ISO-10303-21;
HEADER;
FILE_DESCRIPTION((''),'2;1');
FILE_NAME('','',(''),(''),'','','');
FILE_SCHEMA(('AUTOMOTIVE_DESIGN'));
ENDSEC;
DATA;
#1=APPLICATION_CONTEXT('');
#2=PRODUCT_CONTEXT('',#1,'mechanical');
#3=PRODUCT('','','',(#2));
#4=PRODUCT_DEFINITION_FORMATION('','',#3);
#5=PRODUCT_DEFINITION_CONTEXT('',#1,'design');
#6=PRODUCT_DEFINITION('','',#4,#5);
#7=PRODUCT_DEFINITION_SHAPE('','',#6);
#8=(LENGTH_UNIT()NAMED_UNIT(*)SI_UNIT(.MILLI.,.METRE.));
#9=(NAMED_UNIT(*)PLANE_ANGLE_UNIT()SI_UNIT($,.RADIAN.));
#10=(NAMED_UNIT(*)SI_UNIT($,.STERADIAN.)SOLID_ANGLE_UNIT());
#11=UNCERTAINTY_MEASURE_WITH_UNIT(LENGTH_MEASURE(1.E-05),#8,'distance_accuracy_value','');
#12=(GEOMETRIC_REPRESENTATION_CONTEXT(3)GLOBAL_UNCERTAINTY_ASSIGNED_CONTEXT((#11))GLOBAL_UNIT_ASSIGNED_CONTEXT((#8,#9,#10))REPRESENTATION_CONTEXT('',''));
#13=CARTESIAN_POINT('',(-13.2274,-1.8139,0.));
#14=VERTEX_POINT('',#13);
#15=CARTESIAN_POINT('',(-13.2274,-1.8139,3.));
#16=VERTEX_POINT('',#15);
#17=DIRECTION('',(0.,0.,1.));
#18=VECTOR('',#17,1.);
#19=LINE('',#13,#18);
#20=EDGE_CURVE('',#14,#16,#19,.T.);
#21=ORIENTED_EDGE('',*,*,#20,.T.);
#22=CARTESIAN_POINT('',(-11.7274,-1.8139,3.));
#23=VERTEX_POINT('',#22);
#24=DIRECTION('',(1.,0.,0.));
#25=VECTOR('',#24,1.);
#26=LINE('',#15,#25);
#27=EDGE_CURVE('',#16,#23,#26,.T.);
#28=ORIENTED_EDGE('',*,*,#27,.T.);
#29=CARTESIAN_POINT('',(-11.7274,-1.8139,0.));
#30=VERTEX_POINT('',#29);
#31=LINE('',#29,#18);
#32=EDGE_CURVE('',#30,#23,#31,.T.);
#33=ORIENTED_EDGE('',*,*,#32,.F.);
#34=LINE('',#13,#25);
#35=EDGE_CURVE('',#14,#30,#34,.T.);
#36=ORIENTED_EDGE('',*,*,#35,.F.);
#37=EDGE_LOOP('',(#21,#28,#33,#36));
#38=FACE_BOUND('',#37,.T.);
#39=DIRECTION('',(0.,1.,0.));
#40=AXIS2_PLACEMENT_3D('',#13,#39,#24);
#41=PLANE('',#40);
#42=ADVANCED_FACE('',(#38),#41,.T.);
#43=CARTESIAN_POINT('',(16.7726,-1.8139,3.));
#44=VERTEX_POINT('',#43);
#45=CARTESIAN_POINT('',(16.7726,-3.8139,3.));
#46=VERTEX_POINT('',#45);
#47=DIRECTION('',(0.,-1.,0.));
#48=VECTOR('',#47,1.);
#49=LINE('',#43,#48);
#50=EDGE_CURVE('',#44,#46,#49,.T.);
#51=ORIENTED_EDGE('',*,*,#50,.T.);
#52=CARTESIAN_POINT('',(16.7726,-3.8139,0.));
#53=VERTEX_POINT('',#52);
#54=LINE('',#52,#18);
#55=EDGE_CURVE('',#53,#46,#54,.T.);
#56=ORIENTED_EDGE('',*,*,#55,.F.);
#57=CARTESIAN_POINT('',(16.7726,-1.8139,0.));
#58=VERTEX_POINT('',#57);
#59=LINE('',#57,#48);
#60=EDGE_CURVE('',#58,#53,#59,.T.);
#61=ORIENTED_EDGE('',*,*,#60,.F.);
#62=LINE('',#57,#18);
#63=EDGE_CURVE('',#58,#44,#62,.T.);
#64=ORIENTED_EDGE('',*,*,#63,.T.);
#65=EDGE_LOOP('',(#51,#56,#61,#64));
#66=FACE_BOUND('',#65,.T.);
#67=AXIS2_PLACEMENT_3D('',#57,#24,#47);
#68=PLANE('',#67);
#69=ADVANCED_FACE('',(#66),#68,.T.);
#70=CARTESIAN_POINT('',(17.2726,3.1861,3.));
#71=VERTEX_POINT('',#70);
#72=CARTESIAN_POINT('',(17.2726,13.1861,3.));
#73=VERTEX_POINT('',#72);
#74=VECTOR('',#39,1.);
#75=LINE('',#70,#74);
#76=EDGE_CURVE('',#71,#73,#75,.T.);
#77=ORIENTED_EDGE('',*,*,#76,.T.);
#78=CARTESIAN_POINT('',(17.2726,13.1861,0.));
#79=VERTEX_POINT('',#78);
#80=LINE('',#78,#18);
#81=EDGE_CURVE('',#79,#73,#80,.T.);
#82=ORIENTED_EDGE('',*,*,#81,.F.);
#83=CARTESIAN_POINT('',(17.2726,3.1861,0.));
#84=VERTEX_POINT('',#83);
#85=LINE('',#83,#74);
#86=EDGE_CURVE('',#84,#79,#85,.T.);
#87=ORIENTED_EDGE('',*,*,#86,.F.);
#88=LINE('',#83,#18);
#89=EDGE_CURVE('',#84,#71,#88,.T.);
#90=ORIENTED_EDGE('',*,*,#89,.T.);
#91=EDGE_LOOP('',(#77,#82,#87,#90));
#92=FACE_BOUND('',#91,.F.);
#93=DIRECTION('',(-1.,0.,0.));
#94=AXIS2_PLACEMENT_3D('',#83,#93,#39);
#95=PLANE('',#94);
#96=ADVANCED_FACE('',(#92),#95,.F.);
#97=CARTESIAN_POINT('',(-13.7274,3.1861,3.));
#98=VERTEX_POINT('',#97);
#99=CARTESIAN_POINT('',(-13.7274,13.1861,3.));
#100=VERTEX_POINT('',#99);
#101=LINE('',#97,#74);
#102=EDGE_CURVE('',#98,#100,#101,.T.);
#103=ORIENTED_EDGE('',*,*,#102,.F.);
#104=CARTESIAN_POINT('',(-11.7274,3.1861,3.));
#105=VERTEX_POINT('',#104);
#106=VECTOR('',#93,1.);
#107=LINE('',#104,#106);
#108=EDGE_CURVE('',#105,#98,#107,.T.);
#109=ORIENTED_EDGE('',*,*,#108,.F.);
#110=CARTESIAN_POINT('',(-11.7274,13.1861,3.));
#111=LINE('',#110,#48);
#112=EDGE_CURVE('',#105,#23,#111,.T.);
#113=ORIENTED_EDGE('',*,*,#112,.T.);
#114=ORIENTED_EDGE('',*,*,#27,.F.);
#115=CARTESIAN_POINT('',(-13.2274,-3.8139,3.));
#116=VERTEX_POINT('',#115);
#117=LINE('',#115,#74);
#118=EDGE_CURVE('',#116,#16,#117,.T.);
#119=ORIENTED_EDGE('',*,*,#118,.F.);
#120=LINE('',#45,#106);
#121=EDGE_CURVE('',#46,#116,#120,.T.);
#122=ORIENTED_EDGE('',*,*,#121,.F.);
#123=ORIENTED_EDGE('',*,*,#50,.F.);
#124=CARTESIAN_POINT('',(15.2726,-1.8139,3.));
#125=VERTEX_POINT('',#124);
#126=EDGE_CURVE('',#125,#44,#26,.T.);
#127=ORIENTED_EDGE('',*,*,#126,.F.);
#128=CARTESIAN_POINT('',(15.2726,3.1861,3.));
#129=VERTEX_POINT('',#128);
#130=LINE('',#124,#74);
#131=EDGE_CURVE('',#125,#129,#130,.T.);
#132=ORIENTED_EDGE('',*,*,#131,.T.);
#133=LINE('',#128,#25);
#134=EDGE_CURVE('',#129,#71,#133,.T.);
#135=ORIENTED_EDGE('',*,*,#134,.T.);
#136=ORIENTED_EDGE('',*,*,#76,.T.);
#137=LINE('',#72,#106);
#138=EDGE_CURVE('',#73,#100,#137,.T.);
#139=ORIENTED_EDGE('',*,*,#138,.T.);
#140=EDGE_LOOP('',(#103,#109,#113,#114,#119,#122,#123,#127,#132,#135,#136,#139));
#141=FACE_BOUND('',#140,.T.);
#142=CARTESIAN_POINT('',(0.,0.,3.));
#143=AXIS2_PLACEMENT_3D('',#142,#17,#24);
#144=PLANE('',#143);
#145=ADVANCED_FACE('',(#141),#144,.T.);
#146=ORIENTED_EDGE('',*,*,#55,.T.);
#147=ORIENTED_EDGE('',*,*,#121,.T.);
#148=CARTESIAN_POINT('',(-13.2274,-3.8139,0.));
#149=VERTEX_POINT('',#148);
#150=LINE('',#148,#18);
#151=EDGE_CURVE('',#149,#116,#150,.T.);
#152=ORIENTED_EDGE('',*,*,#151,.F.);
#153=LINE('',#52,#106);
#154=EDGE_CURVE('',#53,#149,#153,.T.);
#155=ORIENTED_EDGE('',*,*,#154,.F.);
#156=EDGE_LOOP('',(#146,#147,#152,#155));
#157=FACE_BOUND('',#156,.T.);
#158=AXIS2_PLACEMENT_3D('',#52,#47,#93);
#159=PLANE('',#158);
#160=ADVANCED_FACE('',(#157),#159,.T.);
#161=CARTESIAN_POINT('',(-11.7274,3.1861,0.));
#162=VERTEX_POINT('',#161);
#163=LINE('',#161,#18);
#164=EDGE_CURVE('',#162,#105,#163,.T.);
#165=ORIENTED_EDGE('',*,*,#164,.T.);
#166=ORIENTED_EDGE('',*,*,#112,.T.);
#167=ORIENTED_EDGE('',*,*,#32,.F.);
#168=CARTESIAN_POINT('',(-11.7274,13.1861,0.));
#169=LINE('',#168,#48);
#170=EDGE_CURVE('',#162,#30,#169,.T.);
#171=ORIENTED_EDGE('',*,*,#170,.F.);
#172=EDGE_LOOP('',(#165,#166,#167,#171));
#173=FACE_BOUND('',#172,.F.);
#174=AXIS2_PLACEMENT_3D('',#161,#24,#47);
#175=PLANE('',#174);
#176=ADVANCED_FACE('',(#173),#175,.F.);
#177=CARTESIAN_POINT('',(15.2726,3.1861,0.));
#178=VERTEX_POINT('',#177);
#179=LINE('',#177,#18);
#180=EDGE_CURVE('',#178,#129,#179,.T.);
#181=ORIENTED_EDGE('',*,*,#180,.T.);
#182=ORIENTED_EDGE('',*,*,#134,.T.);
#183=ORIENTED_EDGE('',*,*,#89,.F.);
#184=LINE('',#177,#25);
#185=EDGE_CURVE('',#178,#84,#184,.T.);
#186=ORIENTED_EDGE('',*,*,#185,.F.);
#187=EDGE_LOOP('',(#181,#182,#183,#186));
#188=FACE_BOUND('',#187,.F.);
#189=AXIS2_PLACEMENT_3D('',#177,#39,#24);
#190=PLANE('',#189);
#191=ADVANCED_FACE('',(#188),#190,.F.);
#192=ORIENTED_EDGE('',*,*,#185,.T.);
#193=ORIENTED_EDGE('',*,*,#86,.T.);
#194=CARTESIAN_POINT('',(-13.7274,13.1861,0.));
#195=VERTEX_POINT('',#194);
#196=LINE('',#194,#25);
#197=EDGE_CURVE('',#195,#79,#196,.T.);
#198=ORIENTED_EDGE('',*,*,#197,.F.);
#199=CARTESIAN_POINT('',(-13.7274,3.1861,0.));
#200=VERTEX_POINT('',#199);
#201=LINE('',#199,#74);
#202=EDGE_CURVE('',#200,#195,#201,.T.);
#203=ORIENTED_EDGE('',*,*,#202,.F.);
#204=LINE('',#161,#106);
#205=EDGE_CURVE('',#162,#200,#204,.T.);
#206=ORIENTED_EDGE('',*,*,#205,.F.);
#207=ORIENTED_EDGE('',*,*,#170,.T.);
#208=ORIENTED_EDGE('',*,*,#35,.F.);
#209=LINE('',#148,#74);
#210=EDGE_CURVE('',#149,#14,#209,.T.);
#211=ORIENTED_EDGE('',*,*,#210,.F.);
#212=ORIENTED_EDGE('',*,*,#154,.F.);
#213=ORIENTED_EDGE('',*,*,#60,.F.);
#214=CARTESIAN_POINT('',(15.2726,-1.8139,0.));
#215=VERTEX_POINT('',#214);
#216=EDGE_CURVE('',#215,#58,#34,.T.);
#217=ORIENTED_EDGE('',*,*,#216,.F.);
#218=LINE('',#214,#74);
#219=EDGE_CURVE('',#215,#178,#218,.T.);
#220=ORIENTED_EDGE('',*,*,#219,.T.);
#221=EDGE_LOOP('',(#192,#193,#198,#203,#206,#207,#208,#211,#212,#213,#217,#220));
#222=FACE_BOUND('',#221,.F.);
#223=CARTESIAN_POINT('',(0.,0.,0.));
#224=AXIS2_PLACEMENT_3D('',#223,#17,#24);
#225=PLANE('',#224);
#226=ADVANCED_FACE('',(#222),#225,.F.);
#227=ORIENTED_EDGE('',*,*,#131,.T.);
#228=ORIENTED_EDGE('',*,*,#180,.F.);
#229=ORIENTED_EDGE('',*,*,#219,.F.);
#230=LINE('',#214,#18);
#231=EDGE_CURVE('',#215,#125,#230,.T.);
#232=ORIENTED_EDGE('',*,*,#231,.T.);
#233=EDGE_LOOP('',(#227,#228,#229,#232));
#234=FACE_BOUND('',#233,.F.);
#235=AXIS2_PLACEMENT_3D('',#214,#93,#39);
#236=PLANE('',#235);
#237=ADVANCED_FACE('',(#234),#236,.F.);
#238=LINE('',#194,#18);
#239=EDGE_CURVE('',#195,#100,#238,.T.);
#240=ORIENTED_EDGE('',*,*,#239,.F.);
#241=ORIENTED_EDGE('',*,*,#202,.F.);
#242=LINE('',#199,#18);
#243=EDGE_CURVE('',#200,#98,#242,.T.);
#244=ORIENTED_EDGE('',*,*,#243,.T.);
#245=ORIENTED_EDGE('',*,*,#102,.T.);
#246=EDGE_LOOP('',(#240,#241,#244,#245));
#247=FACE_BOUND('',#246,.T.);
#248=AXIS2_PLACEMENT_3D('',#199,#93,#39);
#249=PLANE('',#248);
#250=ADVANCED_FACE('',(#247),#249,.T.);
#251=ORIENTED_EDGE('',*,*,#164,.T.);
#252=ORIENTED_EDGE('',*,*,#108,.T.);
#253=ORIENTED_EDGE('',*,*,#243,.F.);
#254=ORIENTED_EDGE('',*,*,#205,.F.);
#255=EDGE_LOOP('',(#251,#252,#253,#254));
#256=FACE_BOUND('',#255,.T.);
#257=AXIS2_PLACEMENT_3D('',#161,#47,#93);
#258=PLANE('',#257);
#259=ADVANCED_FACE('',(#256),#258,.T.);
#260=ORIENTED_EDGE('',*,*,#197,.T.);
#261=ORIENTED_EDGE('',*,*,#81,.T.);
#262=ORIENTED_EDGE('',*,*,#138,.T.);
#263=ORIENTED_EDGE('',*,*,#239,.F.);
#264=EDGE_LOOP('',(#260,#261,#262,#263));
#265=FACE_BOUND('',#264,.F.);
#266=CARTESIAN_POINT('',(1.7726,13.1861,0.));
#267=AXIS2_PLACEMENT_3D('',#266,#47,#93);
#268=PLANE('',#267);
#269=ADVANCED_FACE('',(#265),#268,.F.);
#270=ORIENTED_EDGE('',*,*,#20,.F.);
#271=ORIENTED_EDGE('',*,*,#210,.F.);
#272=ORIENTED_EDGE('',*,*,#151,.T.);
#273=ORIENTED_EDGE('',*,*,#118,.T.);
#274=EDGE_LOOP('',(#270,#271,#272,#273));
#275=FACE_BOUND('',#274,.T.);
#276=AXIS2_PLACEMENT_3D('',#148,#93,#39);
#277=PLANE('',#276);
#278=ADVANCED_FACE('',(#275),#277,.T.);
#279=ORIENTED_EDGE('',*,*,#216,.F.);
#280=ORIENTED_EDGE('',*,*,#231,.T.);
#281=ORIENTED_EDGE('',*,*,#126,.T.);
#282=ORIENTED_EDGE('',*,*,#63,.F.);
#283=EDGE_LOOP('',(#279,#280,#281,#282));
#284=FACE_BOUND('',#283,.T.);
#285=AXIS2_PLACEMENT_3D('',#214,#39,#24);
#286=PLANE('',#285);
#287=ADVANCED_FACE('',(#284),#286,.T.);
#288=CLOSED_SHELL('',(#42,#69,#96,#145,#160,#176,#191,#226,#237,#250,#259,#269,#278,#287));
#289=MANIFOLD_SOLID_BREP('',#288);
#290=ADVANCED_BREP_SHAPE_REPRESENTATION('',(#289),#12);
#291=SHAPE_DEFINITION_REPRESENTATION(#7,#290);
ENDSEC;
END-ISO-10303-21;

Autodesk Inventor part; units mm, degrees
ref_plane "YZ Plane" through (0, 0, 0) normal (1, 0, 0) x (0, 1, 0)
ref_plane "XZ Plane" through (0, 0, 0) normal (0, 1, 0) x (-1, 0, 0)
ref_plane "XY Plane" through (0, 0, 0) normal (0, 0, 1) x (1, 0, 0)
sketch "Sketch1" plane through (0, 0, 0) normal (0, 0, 1) x (1, 0, 0)
  line L0 (-11.7274, -1.8139) -> (15.2726, -1.8139)
  line L1 (15.2726, -1.8139) -> (15.2726, 13.1861)
  line L2 (15.2726, 13.1861) -> (-11.7274, 13.1861)
  line L3 (-11.7274, 13.1861) -> (-11.7274, -1.8139)
  line L4 (-13.2274, -1.8139) -> (16.7726, -1.8139)
  line L5 (16.7726, -1.8139) -> (16.7726, -3.8139)
  line L6 (16.7726, -3.8139) -> (-13.2274, -3.8139)
  line L7 (-13.2274, -3.8139) -> (-13.2274, -1.8139)
  line L8 (-11.7274, 3.1861) -> (-13.7274, 3.1861)
  line L9 (-13.7274, 3.1861) -> (-13.7274, 13.1861)
  line L10 (-13.7274, 13.1861) -> (-11.7274, 13.1861)
  line L11 (-11.7274, 13.1861) -> (-11.7274, 3.1861)
  line L12 (1.7726, 13.1861) -> (1.7726, -1.8139)
  line L13 (17.2726, 13.1861) -> (15.2726, 13.1861)
  line L14 (17.2726, 3.1861) -> (17.2726, 13.1861)
  line L15 (15.2726, 3.1861) -> (17.2726, 3.1861)
  point P0 (0, 0)
  dimension "d0" = 27
  dimension "d1" = 30
  dimension "d2" = 2
  dimension "d3" = 15
  dimension "d4" = 2
  dimension "d5" = 10
  dimension "d6" = 5
extrude "Plate1" add sketch "Sketch1" along normal blind 3
equation "\"d0\" = L_Piston_Bottom + 2 * A_joint_tolerance"
equation "\"d2\" = d7"
equation "\"d4\" = d7"
equation "\"d10\" = Thickness"
equation "\"Thickness\" = plate_thickness"
equation "\"BendRadius\" = Thickness"
equation "\"BendReliefWidth\" = Thickness"
equation "\"BendReliefDepth\" = 0.5 * Thickness"
equation "\"CornerReliefSize\" = 4 * Thickness"
equation "\"MinimumRemnant\" = 2 * Thickness"
equation "\"TransitionRadius\" = BendRadius"
equation "\"JacobiRadiusSize\" = BendRadius"
equation "\"GapSize\" = Thickness"
equation "\"A_width\" = 46"
equation "\"A_joint_diameter\" = 16"
equation "\"A_joint_tolerance\" = 3"
equation "\"l___________\" = 0"
equation "\"l__________\" = 0"
equation "\"l_________\" = 0"
equation "\"rivet_diameter\" = 3.35"
equation "\"plate_thickness\" = 3"
equation "\"l________\" = 0"
equation "\"L_Piston_Top\" = 25"
equation "\"L_Piston_Bottom\" = 21"
equation "\"A_B_spacing\" = 2"
equation "\"thin_plate\" = 1.5"
equation "\"d7\" = 2"
properties part number "Piston_FloorHinge02" material "Stainless Steel"
